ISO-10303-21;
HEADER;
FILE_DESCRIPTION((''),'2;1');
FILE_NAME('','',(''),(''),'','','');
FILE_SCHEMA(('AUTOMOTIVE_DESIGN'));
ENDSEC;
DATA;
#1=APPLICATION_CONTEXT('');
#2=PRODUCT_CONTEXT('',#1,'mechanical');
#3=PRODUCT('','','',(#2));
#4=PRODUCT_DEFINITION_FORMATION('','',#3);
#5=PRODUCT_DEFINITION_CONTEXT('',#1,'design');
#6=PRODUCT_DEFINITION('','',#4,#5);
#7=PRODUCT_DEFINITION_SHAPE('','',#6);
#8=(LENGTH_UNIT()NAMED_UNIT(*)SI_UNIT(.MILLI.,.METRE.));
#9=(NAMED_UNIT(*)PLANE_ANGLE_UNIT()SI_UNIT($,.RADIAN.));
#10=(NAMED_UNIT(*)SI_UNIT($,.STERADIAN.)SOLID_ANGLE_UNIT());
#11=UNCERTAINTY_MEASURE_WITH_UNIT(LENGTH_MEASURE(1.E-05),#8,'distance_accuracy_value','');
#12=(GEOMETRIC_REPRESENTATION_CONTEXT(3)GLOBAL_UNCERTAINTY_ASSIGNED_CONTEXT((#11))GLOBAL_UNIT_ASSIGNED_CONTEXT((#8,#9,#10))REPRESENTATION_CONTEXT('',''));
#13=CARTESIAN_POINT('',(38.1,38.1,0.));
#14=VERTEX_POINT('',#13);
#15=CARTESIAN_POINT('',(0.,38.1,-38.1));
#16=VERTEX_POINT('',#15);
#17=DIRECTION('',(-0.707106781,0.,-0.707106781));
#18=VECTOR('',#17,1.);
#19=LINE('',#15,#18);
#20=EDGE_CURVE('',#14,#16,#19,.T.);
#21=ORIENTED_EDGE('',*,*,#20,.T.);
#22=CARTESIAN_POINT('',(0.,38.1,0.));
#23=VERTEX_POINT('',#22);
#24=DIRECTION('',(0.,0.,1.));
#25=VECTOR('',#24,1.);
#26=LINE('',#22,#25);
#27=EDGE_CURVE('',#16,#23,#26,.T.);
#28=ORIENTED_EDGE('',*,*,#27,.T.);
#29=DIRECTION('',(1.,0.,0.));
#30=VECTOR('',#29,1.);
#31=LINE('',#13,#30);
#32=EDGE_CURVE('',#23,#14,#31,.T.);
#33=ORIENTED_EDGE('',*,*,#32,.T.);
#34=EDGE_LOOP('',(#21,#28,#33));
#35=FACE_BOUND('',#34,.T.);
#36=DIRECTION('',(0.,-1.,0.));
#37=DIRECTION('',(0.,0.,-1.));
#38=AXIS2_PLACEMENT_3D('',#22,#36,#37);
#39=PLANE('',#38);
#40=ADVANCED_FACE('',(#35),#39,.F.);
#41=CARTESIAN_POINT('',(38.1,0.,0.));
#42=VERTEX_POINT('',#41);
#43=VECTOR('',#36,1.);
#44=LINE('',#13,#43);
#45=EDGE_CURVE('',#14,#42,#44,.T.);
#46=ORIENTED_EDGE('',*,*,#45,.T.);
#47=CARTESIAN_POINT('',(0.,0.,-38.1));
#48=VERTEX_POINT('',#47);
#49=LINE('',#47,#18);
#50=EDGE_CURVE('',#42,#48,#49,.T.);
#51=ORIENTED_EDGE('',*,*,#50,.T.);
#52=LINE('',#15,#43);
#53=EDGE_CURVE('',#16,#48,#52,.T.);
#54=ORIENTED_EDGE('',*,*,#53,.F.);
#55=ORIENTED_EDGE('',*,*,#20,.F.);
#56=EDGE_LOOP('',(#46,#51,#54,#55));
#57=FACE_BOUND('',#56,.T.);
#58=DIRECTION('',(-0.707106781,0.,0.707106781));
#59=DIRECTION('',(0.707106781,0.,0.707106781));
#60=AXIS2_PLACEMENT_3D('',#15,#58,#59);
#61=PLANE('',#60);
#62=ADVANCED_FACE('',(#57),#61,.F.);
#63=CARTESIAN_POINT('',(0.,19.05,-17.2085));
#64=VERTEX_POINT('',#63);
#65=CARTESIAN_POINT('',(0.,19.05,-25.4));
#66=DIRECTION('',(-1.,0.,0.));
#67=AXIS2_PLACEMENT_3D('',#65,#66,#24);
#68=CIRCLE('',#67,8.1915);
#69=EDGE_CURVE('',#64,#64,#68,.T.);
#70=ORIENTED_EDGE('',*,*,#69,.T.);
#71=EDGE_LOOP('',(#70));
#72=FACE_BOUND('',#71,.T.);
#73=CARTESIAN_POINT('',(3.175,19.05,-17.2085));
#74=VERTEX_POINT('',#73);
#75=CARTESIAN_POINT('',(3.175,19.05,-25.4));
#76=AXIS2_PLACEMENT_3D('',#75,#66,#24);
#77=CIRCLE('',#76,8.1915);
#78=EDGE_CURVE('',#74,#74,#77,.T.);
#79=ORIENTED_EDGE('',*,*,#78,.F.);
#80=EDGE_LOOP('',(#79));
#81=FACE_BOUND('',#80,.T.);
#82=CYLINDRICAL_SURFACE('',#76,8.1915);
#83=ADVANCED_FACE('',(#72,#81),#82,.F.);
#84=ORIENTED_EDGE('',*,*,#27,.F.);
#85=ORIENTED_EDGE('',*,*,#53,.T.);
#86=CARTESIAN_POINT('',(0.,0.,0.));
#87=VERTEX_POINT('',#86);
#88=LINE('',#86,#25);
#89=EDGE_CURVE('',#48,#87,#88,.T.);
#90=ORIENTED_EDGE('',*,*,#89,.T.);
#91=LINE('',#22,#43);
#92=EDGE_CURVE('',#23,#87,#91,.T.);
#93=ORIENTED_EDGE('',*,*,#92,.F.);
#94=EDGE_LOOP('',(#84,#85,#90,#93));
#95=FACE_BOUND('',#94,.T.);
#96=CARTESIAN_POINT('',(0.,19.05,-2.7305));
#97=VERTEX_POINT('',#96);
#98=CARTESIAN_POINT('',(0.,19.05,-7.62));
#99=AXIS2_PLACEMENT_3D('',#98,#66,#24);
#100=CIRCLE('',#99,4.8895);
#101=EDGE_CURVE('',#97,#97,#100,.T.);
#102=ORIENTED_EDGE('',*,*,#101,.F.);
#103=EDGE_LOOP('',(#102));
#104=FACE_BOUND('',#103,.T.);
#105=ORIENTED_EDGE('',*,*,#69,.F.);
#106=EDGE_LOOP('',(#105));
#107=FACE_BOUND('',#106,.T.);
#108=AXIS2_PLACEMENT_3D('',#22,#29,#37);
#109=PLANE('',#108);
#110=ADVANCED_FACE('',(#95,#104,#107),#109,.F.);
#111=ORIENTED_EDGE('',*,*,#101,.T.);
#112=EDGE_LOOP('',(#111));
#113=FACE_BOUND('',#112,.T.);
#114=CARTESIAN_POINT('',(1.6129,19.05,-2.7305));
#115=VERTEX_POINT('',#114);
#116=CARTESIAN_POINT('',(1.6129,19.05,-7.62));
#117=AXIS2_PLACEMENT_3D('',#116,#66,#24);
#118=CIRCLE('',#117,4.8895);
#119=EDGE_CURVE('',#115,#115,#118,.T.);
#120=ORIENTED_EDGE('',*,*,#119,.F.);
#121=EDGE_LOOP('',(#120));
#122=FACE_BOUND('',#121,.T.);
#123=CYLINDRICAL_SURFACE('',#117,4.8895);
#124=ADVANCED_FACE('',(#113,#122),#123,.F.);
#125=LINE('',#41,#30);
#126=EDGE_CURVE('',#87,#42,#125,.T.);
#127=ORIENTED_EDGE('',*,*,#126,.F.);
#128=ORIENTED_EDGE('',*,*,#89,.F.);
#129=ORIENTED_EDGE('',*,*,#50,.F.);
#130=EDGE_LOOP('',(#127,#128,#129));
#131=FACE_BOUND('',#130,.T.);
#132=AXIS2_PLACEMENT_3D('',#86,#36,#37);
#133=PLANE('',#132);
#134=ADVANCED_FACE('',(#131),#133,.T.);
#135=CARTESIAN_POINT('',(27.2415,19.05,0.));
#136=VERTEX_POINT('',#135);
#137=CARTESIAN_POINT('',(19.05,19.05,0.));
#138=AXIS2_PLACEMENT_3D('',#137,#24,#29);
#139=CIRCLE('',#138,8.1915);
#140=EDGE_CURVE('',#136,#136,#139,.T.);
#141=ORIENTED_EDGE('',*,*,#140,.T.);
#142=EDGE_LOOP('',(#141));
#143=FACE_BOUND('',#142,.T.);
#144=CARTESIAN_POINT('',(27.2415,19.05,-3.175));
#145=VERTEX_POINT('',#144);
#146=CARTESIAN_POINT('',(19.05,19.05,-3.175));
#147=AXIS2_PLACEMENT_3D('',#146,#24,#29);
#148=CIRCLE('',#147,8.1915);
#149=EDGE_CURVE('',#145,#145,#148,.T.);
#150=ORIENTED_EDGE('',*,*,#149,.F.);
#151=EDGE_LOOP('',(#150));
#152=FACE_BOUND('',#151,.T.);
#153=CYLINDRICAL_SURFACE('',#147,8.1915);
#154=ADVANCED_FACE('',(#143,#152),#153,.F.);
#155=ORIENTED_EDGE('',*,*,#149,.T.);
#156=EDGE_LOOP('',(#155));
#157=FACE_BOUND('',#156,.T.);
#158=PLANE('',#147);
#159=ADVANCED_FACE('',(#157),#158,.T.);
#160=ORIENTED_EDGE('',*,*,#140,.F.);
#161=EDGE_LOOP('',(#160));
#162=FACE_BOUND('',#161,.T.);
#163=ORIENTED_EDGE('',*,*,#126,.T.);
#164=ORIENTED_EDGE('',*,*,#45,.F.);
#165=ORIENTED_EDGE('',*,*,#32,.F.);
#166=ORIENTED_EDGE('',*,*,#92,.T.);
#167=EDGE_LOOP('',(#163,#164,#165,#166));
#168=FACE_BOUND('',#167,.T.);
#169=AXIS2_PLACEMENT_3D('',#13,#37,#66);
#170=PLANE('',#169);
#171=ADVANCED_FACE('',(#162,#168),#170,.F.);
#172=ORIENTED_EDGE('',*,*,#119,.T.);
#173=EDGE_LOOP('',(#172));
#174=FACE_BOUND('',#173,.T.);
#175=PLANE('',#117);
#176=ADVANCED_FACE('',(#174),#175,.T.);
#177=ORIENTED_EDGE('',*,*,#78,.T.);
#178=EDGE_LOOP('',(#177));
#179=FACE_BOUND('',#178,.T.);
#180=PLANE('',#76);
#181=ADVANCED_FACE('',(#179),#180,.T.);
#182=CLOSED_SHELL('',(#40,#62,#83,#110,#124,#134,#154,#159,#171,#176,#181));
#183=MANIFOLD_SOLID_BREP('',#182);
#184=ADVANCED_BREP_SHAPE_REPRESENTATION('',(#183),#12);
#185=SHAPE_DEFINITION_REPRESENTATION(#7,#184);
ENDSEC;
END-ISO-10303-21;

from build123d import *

# Parameters (mm, degrees)
BOSS_EXTRUDE1_DEPTH = 38.1
SKETCH2_R           = 8.1915
CUT_EXTRUDE1_DEPTH  = 3.175
SKETCH3_R           = 8.1915
CUT_EXTRUDE2_DEPTH  = 3.175
SKETCH4_R           = 4.8895
CUT_EXTRUDE3_DEPTH  = 1.6129


with BuildPart() as part:
    # Sketch1 → Boss-Extrude1 (new body)
    with BuildSketch(Plane(origin=(0, 0, 0), x_dir=(1, 0, 0), z_dir=(0, 1, 0))):
        Polygon((0, 0), (0, 38.1), (38.1, 0), align=None)
    extrude(amount=BOSS_EXTRUDE1_DEPTH)

    # Sketch2 → Cut-Extrude1 (cut)
    with BuildSketch(Plane.XY):
        with Locations((19.05, 19.05)):
            Circle(SKETCH2_R)
    extrude(amount=-CUT_EXTRUDE1_DEPTH, mode=Mode.SUBTRACT)

    # Sketch3 → Cut-Extrude2 (cut)
    with BuildSketch(Plane.ZY):
        with Locations((-25.4, 19.05)):
            Circle(SKETCH3_R)
    extrude(amount=-CUT_EXTRUDE2_DEPTH, mode=Mode.SUBTRACT)

    # Sketch4 → Cut-Extrude3 (cut)
    with BuildSketch(Plane.ZY):
        with Locations((-7.62, 19.05)):
            Circle(SKETCH4_R)
    extrude(amount=-CUT_EXTRUDE3_DEPTH, mode=Mode.SUBTRACT)


solid = part.part
